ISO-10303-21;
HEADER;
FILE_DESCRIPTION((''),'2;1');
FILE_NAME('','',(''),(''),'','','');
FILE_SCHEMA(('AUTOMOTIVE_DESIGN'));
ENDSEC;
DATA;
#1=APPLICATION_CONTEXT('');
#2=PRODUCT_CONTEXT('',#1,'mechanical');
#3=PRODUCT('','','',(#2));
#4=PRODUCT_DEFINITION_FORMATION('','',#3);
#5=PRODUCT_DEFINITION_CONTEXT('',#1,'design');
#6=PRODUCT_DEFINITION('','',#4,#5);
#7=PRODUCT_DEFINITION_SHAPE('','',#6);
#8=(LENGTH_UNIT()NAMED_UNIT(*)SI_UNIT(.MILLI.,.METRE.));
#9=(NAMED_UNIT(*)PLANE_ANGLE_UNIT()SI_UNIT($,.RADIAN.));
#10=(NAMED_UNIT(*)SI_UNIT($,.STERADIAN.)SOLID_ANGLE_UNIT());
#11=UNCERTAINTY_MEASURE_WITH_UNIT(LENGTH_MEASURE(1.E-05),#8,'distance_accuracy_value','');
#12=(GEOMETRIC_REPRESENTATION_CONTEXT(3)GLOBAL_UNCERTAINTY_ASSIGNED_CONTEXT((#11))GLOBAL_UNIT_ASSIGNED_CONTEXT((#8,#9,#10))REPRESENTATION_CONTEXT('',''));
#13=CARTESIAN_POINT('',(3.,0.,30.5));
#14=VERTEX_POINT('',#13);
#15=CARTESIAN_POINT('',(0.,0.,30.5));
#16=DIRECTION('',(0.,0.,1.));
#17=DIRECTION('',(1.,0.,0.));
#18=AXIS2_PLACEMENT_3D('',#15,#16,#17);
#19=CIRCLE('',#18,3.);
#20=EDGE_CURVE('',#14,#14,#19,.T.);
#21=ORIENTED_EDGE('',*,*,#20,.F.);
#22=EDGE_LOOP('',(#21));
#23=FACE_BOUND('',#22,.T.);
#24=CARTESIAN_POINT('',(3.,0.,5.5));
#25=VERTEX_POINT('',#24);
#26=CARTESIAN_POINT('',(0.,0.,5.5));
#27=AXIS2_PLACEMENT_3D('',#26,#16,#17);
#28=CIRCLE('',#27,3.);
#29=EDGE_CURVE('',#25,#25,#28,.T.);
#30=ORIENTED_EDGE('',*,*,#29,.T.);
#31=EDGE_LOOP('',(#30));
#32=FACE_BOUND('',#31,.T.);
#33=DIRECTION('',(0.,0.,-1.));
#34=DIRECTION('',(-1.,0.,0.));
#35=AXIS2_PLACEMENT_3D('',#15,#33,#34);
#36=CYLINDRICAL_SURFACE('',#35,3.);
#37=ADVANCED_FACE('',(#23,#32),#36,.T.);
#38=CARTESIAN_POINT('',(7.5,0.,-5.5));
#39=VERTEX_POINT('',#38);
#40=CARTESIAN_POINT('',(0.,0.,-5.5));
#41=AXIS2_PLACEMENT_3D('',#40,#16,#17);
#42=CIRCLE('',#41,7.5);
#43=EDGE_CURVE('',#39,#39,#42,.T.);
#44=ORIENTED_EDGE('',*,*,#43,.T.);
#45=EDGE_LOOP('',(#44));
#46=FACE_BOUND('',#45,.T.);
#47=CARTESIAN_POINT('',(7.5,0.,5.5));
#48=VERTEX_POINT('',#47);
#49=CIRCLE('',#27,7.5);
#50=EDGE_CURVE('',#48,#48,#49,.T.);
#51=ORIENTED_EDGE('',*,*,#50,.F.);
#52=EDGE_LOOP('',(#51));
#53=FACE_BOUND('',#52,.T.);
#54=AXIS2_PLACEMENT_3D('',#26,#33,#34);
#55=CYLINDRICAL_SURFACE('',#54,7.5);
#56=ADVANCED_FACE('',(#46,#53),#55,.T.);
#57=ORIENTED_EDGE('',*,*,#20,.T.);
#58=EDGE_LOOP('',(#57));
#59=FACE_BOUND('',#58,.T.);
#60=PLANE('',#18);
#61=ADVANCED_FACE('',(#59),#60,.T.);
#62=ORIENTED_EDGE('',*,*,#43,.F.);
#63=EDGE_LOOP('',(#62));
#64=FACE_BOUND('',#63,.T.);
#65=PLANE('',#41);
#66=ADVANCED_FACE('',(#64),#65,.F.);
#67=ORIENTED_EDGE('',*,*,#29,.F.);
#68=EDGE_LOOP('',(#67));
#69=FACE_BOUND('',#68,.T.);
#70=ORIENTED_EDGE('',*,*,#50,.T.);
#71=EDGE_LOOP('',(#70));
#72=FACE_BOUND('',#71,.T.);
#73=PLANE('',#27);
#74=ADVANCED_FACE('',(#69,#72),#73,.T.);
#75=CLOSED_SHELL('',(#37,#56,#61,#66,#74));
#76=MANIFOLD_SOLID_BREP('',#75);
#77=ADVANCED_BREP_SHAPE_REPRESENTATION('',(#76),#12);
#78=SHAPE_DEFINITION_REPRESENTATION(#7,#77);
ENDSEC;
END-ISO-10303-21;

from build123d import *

# Parameters (mm, degrees)
SKETCH_1_R      = 7.5
EXTRUDE_1_DEPTH = 5.5
SKETCH_2_R      = 3
EXTRUDE_2_DEPTH = 25


with BuildPart() as part:
    # 草图1 → 凸台-拉伸1 (new, symmetric)
    with BuildSketch(Plane.XY):
        Circle(SKETCH_1_R)
    extrude(amount=EXTRUDE_1_DEPTH, both=True)

    # 草图2 → 凸台-拉伸2 (add)
    with BuildSketch(Plane.XY.offset(5.5)):
        Circle(SKETCH_2_R)
    extrude(amount=EXTRUDE_2_DEPTH)


solid = part.part
